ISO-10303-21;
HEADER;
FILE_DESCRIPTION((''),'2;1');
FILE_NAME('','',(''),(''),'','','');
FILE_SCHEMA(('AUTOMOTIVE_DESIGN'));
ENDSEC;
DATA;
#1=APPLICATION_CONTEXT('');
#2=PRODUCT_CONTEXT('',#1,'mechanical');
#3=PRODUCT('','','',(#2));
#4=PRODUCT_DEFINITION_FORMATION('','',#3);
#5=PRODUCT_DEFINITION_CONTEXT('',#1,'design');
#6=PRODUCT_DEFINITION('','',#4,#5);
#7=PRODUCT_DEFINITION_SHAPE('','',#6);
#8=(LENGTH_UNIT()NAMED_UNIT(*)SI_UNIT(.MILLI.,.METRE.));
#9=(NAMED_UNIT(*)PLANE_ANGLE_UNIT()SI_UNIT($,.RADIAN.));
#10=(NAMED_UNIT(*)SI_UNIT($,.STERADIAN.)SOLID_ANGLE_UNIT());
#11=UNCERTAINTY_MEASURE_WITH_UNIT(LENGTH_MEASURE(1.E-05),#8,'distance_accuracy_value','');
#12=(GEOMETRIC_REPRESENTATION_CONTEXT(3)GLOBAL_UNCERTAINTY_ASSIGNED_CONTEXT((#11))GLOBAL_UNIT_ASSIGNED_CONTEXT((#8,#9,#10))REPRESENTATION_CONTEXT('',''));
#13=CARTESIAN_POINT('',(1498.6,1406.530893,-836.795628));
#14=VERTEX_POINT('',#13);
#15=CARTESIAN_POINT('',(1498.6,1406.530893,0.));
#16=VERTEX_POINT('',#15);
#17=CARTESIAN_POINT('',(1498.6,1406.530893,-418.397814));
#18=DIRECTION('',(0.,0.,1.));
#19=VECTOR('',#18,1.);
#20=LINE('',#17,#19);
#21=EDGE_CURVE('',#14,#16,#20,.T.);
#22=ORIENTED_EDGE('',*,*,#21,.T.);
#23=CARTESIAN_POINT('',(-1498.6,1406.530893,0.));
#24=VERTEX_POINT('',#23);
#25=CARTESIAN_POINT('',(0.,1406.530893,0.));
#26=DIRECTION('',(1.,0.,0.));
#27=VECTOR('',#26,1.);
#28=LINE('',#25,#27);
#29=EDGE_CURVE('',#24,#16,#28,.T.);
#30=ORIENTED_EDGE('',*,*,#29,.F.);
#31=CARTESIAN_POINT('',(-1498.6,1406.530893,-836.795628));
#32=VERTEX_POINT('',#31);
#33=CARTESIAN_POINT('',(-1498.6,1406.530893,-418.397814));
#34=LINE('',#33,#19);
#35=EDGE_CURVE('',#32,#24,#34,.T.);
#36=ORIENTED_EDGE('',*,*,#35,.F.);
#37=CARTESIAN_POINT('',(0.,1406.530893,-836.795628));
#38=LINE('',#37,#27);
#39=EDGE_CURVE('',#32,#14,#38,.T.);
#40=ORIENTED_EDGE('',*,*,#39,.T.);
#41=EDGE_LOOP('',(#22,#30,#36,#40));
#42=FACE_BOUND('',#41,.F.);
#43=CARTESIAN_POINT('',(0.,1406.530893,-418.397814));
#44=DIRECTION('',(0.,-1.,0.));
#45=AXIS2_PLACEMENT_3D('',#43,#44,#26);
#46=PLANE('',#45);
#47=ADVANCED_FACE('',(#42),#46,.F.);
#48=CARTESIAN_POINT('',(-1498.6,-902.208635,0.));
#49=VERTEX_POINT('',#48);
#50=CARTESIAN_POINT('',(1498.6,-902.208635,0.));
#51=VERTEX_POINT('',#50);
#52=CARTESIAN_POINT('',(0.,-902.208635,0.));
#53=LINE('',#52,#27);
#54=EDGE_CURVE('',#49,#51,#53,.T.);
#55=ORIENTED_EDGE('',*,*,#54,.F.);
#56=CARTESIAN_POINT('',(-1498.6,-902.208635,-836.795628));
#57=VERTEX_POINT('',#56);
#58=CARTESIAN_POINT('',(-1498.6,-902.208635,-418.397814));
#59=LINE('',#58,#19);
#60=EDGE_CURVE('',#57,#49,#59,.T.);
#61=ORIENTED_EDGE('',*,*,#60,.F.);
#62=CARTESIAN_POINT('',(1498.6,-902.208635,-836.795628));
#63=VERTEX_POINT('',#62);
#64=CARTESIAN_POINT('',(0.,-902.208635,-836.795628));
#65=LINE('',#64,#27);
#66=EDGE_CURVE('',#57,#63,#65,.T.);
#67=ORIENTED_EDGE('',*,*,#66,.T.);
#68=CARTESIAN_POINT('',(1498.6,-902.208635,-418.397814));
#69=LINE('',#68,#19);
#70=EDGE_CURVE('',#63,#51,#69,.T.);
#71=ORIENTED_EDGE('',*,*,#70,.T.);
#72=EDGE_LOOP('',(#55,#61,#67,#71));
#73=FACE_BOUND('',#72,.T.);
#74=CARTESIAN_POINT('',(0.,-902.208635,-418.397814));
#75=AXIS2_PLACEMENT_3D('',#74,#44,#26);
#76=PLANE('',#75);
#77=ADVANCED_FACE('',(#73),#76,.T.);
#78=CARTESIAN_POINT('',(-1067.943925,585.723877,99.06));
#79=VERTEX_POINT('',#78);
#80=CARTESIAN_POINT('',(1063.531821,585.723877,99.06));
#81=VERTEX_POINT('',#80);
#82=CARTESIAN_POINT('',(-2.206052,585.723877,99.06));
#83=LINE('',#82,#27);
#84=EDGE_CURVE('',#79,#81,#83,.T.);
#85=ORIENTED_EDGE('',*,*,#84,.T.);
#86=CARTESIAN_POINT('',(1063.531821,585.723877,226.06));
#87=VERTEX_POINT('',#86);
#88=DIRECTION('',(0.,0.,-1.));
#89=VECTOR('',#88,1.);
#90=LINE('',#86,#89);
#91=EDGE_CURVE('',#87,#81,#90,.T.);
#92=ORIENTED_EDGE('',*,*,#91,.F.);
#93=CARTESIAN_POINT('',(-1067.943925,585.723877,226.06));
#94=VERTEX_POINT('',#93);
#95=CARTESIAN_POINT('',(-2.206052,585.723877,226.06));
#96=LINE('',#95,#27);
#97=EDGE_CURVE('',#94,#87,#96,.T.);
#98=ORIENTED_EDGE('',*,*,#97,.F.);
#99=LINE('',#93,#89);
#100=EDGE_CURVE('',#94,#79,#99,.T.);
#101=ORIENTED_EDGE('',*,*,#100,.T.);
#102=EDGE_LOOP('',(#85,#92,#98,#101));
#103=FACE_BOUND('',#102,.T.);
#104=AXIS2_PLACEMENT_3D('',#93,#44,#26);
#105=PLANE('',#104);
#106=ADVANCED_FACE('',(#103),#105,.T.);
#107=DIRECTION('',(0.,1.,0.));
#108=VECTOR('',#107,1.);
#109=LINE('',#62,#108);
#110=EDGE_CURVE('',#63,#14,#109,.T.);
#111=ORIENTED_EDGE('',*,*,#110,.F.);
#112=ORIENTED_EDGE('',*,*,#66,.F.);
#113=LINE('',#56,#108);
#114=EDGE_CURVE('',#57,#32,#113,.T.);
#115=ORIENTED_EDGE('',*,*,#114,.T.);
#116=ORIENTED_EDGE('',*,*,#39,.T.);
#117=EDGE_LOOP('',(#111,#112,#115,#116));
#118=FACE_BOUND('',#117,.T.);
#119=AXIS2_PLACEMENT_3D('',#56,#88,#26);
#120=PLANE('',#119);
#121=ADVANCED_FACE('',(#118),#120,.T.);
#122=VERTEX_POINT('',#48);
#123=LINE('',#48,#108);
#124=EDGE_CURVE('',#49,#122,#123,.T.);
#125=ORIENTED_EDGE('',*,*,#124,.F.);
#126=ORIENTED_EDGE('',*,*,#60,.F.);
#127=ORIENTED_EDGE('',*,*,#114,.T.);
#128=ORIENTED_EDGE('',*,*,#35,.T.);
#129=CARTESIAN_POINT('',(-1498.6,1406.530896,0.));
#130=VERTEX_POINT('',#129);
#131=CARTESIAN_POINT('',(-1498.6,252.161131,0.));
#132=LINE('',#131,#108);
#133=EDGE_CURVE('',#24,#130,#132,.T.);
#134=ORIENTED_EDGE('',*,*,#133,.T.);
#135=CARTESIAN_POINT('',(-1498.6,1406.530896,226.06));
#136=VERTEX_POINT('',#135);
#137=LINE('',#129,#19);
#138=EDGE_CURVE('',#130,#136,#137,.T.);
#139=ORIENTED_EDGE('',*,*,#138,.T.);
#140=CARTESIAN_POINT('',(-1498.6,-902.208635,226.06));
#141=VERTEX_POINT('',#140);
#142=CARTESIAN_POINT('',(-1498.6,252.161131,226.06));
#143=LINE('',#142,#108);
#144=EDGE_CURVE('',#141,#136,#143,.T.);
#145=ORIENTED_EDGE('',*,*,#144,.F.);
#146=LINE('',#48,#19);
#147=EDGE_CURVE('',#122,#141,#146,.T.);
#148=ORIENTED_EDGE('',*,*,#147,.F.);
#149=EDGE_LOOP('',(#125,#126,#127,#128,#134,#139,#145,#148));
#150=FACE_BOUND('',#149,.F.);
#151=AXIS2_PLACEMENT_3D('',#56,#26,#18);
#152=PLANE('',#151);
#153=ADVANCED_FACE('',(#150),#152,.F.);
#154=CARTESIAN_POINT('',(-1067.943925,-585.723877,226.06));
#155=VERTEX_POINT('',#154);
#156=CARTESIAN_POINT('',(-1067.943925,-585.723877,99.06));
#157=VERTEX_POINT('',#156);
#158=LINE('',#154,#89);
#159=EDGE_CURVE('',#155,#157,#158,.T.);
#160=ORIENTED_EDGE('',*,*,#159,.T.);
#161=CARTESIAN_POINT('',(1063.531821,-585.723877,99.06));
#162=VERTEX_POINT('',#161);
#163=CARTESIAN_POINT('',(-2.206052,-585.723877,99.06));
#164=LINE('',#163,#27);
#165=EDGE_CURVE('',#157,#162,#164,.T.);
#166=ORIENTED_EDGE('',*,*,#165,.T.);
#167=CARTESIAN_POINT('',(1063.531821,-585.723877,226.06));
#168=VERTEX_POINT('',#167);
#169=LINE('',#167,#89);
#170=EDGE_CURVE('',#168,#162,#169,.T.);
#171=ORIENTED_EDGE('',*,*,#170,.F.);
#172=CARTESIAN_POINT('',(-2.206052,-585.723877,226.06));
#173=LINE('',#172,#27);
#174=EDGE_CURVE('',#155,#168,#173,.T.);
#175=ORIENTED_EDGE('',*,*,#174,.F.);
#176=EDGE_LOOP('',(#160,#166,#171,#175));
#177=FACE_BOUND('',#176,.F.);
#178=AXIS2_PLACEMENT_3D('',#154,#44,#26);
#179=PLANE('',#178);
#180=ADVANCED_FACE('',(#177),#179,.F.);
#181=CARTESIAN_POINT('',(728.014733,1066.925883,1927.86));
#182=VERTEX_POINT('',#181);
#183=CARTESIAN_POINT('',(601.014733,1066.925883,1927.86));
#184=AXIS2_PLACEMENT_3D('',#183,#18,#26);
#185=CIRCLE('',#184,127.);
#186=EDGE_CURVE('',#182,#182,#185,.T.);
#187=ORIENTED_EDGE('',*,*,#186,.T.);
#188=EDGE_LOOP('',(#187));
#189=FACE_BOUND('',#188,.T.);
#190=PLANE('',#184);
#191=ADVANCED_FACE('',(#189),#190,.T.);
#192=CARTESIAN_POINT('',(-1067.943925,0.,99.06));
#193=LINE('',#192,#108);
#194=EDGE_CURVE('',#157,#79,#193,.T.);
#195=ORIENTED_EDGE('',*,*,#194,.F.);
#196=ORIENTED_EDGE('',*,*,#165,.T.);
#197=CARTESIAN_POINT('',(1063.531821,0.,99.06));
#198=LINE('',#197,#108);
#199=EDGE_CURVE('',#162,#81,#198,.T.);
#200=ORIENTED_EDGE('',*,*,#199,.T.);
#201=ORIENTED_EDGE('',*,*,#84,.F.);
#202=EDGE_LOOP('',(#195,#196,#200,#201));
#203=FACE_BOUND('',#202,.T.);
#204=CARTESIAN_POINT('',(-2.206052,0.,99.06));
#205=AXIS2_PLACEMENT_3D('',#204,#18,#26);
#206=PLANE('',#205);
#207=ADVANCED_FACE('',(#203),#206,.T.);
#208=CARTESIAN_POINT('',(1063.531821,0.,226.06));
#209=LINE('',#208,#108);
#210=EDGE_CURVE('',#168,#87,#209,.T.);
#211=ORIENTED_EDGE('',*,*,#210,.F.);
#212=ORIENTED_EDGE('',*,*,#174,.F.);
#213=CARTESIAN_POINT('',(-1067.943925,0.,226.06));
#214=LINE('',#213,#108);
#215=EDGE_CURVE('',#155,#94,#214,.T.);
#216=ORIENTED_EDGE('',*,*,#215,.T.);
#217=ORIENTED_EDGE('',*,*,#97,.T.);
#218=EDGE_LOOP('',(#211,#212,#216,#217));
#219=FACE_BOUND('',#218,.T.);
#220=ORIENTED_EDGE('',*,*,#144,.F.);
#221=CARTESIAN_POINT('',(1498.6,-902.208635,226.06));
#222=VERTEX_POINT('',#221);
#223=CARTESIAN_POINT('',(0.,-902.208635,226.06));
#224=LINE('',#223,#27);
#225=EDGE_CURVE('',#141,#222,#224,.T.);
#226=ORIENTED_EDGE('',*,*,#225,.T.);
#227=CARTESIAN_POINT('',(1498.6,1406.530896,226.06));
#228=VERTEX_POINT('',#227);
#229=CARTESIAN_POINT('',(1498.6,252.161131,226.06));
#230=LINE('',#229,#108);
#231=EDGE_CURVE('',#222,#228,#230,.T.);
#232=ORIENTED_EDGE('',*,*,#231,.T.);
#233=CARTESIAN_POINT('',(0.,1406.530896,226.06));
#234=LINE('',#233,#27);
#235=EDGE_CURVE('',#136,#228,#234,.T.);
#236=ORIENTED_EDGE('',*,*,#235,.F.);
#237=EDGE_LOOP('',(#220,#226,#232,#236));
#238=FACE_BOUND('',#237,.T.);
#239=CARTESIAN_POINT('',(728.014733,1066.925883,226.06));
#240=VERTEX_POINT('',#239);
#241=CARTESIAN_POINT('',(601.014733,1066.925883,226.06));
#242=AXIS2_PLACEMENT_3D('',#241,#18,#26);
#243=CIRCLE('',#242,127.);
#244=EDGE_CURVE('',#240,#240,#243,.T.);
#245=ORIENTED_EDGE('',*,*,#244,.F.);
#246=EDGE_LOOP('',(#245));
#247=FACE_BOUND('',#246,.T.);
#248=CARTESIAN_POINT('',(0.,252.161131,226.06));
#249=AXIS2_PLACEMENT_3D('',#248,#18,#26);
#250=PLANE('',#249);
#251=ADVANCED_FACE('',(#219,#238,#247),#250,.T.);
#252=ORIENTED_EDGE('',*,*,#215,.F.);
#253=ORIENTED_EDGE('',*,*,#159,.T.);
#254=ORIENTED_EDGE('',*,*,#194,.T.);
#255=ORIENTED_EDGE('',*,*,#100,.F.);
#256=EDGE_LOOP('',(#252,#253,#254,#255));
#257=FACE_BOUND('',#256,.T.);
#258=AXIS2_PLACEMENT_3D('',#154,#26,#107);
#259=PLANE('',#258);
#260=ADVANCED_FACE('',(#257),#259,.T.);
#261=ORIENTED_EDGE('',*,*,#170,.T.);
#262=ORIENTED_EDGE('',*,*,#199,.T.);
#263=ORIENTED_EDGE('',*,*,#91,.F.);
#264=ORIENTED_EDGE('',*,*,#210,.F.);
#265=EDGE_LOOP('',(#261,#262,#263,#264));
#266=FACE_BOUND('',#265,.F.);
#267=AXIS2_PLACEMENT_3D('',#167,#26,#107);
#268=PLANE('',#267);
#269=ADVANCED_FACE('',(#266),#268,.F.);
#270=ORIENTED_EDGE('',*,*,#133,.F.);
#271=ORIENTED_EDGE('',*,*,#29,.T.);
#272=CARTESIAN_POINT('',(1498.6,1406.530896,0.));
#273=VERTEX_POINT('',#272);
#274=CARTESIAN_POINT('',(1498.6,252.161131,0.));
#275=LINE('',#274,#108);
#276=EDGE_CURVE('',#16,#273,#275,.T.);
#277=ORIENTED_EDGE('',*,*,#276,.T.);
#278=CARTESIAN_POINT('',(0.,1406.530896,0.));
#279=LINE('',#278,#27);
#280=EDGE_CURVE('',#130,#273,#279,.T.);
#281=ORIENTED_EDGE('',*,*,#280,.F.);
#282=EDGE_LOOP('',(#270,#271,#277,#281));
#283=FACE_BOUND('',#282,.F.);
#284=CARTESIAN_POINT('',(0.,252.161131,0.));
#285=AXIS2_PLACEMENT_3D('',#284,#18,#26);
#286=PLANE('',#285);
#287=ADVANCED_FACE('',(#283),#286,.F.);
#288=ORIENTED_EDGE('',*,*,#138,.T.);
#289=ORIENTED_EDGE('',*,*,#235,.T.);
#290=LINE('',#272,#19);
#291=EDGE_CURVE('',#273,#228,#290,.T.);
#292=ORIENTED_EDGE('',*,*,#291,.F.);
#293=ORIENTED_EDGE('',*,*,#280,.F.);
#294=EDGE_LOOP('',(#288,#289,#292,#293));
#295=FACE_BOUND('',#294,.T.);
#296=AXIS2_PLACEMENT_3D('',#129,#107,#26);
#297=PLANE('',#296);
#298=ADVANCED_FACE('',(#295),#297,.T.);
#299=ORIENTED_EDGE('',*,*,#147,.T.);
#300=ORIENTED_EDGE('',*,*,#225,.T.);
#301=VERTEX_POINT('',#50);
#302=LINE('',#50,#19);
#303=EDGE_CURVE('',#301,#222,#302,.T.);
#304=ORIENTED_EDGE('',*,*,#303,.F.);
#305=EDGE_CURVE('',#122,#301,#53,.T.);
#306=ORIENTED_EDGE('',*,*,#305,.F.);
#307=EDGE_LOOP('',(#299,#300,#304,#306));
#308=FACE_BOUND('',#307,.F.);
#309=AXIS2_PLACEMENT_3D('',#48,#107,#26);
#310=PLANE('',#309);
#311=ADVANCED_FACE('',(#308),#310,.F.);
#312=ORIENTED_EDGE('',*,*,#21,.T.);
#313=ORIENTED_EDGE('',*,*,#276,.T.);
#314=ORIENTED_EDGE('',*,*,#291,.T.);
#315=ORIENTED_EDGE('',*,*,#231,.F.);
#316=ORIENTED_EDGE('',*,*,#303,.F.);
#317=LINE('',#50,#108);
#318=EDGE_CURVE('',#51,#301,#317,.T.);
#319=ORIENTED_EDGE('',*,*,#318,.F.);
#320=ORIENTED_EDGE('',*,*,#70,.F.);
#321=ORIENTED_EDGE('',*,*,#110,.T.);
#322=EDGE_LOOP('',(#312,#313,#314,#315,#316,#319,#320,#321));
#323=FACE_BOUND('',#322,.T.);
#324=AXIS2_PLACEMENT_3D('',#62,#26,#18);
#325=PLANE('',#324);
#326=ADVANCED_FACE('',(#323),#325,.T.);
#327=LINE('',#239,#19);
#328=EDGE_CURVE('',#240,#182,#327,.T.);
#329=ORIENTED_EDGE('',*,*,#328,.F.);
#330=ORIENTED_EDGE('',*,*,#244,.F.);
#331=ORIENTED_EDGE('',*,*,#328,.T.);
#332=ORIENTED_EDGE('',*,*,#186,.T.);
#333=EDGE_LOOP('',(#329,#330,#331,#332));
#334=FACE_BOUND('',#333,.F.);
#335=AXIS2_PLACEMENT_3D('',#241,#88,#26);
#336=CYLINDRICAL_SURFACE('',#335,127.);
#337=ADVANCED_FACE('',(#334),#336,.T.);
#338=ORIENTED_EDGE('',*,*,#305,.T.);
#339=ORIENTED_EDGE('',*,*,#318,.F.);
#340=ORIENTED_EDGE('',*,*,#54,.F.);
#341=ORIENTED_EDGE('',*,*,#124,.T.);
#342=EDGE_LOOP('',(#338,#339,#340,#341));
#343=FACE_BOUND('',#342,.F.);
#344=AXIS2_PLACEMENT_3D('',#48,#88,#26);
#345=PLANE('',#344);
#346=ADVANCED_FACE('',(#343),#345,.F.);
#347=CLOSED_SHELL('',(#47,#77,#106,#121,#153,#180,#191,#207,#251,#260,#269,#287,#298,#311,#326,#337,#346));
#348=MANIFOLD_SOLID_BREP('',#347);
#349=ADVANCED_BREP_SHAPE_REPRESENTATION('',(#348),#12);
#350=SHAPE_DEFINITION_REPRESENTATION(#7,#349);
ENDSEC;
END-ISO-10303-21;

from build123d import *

# Parameters (mm, degrees)
F0_W     = 2997.2
F0_H     = 2308.739531
F1_DEPTH = 226.06
F2_W     = 2131.475747
F2_H     = 1171.447754
F3_DEPTH = 127
F4_R     = 127
F5_DEPTH = 1701.8
F6_W     = 2997.2
F6_H     = 836.795628
F7_DEPTH = 2308.739528


with BuildPart() as f1:
    # F0 (on Top) → F1 (new body)
    with BuildSketch(Plane.XY):
        with Locations((0, 252.161131)):
            Rectangle(F0_W, F0_H)
    extrude(amount=F1_DEPTH)

    # F2 (on face) → F3 (cut)
    with BuildSketch(Plane.XY.offset(226.06)):
        with Locations((-2.206052, 0)):
            Rectangle(F2_W, F2_H)
    extrude(amount=-F3_DEPTH, mode=Mode.SUBTRACT)

    # F4 (on face) → F5 (join)
    with BuildSketch(Plane.XY.offset(226.06)):
        with Locations((601.014733, 1066.925883)):
            Circle(F4_R)
    extrude(amount=F5_DEPTH)

    # F6 (on face) → F7 (join)
    with BuildSketch(Plane.XZ.offset(902.208635)):
        with Locations((0, -418.397814)):
            Rectangle(F6_W, F6_H)
    extrude(amount=-F7_DEPTH)


solid = f1.part
